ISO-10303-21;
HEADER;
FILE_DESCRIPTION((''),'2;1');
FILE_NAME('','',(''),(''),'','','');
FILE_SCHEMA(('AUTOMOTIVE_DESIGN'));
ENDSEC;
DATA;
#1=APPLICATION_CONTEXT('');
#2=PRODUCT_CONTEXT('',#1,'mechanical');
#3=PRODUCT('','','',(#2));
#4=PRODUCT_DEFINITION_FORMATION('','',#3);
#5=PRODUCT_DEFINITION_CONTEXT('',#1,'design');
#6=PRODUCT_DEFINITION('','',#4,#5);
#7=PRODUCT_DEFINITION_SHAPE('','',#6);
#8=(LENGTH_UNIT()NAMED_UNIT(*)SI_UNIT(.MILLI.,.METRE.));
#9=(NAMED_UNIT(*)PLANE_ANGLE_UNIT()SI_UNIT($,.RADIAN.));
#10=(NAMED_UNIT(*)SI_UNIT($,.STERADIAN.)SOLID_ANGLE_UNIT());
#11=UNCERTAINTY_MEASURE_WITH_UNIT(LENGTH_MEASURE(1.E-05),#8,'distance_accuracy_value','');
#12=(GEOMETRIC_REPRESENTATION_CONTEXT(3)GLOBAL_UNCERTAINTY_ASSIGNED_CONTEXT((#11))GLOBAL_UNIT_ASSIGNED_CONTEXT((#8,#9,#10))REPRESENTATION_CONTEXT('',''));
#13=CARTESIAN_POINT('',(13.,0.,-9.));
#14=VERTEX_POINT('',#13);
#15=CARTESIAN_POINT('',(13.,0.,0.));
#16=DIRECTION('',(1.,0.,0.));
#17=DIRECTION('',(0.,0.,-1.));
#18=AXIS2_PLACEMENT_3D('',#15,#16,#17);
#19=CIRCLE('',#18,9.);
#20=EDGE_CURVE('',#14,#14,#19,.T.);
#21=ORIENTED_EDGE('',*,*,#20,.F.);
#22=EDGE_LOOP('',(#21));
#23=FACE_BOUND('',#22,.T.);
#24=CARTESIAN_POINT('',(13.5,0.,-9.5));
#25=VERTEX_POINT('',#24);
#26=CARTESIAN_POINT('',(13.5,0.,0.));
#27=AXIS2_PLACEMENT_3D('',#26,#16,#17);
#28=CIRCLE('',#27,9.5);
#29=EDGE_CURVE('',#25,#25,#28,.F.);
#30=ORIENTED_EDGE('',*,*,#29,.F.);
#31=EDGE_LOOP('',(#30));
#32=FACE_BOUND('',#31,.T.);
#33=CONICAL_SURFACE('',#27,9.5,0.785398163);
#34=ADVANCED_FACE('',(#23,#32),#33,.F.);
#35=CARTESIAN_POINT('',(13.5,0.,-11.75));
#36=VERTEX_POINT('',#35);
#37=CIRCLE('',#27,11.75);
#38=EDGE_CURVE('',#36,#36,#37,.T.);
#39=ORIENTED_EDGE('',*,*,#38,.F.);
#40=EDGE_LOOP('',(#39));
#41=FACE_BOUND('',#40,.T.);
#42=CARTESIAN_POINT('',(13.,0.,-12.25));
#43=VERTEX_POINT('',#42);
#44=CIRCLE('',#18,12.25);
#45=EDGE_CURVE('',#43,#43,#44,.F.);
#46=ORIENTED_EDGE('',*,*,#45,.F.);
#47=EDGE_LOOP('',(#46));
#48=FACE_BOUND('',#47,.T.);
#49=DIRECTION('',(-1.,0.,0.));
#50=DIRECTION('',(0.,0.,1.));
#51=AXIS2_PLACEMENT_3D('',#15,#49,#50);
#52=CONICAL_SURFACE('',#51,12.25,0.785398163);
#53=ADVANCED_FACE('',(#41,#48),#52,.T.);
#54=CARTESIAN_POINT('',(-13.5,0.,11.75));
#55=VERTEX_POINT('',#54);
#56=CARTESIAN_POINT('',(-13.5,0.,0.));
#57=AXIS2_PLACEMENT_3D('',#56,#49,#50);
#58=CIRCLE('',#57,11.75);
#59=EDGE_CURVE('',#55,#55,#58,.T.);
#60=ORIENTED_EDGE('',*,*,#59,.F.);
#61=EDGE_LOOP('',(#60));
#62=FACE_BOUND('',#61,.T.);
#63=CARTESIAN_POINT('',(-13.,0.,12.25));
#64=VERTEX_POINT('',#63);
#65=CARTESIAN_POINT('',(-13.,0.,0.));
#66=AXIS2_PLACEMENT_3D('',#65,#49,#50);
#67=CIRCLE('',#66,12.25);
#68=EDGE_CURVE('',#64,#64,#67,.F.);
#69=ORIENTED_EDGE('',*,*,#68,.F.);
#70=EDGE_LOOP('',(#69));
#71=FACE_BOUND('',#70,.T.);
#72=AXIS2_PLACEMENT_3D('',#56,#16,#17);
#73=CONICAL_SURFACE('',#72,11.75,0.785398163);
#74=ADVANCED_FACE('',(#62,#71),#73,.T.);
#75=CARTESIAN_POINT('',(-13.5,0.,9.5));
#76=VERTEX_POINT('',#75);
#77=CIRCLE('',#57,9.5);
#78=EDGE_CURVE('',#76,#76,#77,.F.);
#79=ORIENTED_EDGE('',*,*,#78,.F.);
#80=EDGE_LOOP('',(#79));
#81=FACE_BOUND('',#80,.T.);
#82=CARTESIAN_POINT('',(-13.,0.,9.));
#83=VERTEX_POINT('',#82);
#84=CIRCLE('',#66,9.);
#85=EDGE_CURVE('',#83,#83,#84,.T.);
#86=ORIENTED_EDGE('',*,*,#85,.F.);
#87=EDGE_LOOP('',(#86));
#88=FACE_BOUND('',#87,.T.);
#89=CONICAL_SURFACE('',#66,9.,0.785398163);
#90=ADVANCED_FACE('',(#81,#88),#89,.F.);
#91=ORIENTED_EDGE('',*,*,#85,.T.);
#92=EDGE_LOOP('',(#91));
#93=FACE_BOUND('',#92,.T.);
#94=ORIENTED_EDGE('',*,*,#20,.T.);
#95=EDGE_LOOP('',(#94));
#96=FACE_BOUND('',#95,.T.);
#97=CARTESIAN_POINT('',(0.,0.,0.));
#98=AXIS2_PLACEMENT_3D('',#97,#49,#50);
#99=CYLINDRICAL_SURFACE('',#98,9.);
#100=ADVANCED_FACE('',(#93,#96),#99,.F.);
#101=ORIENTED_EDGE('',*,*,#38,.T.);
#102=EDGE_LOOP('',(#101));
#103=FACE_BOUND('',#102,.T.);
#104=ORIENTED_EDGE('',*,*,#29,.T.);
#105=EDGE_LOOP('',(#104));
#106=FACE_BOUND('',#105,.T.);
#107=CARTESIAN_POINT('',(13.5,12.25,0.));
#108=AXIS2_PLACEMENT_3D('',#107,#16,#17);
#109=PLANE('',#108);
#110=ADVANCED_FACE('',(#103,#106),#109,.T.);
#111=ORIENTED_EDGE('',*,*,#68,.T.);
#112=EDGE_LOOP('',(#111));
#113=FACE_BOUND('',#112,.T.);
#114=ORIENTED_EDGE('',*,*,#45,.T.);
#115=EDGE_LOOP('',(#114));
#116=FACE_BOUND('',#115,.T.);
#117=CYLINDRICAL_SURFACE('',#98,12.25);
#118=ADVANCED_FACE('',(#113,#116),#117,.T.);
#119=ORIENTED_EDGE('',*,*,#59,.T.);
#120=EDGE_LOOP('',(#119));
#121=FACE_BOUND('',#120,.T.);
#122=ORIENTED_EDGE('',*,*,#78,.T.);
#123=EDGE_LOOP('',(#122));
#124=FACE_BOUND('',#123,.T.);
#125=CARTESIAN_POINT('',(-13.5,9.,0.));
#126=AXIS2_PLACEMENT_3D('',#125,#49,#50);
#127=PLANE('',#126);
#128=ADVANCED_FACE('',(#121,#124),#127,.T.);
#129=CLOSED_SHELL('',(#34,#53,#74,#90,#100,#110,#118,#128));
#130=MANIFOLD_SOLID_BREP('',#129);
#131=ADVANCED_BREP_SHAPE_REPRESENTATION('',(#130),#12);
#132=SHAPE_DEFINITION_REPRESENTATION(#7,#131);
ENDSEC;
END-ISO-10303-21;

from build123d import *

# Parameters (mm, degrees)
ESQUISSE1_W     = 27
ESQUISSE1_H     = 3.25
CHANFREIN1_SIZE = 0.5


with BuildPart() as part:
    # Esquisse1 → Base-Révol.-Mince (revolve)
    with BuildSketch(Plane.XY, mode=Mode.PRIVATE) as base_r_vol_mince_sk:
        with Locations((0, 10.625)):
            Rectangle(ESQUISSE1_W, ESQUISSE1_H)
    revolve(base_r_vol_mince_sk.sketch.rotate(Axis((0, 0, 0), (1, 0, 0)), 90), axis=Axis((0, 0, 0), (1, 0, 0)))

    # Chanfrein1
    chanfrein1_edges = [part.edges().sort_by_distance(p)[0] for p in [
        (-13.5, 0, -12.25),
        (13.5, 0, -12.25),
        (13.5, 0, -9),
        (-13.5, 0, -9),
    ]]
    chamfer(chanfrein1_edges, length=CHANFREIN1_SIZE)


solid = part.part
